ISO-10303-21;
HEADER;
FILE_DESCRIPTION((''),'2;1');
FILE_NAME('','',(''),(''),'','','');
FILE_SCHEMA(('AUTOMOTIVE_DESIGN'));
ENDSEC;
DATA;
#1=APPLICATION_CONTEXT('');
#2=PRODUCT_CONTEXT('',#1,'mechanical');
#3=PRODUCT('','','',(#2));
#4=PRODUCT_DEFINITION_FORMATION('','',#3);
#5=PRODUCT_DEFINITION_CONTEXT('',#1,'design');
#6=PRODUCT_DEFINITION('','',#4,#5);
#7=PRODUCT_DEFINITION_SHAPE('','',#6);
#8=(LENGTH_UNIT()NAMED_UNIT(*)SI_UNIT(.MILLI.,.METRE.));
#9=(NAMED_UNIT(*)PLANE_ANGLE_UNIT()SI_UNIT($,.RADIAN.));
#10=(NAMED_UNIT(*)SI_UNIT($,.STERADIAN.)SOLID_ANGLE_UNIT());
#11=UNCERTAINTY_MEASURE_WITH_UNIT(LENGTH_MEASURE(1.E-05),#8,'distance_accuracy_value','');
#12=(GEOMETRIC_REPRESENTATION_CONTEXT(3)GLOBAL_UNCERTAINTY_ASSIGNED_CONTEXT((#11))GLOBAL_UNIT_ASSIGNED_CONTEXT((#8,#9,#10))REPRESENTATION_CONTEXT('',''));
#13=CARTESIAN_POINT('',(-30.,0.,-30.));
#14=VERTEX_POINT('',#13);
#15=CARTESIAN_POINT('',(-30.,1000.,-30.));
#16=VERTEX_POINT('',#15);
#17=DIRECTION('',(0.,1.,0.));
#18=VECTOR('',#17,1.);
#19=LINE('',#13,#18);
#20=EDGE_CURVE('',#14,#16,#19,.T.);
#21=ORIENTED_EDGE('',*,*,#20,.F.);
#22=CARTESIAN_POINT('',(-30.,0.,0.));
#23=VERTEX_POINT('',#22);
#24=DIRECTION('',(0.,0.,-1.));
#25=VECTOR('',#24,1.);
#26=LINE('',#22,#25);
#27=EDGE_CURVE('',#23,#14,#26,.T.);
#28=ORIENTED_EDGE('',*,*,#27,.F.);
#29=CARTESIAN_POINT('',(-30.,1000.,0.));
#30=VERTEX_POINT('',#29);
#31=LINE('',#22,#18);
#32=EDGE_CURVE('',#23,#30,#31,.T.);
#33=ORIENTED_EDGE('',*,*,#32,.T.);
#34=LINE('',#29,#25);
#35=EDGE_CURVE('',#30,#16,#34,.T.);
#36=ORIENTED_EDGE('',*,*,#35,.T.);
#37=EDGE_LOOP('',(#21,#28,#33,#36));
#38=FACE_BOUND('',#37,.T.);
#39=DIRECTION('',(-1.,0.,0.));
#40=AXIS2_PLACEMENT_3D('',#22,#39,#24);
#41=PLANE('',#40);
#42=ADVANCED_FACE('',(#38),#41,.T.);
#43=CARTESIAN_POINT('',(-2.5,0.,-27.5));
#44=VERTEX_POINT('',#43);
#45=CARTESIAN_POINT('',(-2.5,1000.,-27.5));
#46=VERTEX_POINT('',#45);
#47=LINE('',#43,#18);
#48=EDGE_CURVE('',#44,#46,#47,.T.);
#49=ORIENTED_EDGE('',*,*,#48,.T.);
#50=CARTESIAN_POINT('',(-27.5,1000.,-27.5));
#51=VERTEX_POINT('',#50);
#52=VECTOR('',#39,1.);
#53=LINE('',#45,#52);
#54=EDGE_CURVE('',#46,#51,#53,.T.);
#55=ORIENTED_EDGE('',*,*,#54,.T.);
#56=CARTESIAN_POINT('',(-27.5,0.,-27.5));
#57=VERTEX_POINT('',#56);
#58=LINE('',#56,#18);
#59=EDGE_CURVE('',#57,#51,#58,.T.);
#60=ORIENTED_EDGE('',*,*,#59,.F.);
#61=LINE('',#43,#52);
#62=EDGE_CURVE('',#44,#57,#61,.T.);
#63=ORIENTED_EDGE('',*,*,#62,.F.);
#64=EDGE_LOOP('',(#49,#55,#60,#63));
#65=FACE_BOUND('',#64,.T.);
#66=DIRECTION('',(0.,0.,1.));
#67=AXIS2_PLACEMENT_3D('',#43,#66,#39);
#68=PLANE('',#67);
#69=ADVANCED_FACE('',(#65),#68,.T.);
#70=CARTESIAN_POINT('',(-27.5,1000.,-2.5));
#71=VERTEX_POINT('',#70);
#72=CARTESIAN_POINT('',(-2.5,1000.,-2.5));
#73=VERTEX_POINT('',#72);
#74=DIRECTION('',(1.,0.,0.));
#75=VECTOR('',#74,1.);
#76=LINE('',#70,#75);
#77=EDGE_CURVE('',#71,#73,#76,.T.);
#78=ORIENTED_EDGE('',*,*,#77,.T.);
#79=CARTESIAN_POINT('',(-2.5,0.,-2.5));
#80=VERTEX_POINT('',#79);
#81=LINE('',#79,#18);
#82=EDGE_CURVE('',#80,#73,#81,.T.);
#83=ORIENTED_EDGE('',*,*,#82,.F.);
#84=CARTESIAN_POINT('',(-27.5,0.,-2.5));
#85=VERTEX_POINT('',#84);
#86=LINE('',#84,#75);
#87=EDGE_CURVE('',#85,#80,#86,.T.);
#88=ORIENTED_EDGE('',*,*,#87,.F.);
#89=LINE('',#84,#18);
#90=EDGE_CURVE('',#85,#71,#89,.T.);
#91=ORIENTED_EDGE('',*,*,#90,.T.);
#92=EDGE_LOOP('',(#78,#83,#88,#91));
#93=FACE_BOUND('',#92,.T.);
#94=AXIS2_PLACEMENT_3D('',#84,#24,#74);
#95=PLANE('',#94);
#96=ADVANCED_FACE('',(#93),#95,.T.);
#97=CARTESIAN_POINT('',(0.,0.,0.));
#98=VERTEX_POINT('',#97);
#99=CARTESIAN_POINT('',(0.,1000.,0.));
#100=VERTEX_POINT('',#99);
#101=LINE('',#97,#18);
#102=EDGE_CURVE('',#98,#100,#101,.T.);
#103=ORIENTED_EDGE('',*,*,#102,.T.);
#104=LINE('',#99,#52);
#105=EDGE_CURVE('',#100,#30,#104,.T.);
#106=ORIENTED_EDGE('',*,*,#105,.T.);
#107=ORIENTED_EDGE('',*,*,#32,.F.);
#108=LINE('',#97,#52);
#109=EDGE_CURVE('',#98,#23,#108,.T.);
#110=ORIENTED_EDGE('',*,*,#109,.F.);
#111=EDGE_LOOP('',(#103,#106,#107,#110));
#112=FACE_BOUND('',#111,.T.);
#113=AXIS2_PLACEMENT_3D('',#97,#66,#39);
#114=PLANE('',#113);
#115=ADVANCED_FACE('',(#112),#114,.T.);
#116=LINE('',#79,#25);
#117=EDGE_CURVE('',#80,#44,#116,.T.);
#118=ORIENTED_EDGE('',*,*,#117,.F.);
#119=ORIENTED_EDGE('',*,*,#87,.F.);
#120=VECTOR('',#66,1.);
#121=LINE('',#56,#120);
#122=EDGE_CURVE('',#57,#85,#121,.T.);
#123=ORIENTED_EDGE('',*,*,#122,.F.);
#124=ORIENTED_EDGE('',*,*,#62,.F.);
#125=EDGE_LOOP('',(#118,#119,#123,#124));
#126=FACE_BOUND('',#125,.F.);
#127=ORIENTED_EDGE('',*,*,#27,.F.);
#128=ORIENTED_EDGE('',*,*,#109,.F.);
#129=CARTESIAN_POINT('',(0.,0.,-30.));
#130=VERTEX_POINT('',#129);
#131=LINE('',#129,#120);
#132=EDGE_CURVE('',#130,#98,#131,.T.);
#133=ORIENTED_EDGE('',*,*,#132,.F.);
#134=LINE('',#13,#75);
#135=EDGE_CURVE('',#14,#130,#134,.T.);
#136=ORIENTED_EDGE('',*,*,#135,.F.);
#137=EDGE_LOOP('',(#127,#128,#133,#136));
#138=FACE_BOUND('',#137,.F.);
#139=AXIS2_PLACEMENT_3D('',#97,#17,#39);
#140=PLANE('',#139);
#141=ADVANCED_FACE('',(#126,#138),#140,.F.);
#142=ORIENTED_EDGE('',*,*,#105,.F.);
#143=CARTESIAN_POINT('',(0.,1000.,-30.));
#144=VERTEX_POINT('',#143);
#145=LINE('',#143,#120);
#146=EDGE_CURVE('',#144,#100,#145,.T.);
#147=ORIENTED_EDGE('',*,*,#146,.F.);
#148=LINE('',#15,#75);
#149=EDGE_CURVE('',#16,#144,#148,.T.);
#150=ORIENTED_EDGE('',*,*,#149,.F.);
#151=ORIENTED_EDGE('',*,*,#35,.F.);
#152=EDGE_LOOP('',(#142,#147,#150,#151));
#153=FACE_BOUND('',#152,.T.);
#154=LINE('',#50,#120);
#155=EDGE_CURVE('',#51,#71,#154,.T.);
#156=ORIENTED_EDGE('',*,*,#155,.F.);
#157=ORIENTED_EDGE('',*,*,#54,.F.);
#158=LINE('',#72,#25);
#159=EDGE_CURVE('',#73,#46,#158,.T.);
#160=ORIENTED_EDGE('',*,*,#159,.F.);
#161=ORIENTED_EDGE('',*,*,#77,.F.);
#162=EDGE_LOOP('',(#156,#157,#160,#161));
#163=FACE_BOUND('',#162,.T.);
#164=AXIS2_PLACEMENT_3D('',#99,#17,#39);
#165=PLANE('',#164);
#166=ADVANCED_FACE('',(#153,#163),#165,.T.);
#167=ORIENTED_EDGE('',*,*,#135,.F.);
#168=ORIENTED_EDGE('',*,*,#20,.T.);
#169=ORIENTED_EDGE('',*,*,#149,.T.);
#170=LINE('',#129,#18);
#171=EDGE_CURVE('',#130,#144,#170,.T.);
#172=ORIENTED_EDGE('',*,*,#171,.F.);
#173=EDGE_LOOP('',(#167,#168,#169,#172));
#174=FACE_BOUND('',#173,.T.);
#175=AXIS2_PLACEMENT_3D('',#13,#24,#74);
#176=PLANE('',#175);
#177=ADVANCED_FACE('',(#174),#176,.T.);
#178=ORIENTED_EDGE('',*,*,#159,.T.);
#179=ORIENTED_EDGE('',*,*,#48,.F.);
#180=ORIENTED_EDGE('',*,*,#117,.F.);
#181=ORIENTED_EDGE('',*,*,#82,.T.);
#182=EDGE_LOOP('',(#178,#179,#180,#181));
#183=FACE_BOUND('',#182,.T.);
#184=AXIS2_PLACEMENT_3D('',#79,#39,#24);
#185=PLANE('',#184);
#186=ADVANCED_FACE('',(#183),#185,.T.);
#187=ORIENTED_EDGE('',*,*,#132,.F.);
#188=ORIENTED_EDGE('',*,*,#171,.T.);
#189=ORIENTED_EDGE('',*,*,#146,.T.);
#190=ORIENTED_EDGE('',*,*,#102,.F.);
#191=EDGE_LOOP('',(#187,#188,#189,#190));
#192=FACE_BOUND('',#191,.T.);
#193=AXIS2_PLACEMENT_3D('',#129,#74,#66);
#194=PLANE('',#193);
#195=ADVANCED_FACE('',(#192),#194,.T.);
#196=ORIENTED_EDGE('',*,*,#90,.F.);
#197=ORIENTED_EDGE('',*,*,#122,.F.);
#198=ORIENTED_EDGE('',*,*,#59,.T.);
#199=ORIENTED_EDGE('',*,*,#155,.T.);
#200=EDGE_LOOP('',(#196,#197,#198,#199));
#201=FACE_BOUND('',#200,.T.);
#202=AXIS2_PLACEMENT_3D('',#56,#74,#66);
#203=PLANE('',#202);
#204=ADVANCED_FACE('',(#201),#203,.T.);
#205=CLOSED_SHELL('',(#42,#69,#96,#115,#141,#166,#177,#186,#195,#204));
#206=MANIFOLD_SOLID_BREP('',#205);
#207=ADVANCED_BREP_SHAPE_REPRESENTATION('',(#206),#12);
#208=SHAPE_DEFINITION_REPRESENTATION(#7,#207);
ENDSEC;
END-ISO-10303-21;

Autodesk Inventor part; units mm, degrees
ref_plane "YZ Plane" through (0, 0, 0) normal (1, 0, 0) x (0, 1, 0)
ref_plane "XZ Plane" through (0, 0, 0) normal (0, 1, 0) x (-1, 0, 0)
ref_plane "XY Plane" through (0, 0, 0) normal (0, 0, 1) x (1, 0, 0)
sketch "Sketch1" plane through (0, 0, 0) normal (0, 1, 0) x (-1, 0, 0)
  line L0 (0, 0) -> (30, 0)
  line L1 (30, 0) -> (30, -30)
  line L2 (30, -30) -> (0, -30)
  line L3 (0, -30) -> (0, 0)
  line L4 (30, -15) -> (0, -15) construction
  line L5 (15, -30) -> (15, 0) construction
  line L6 (27.5, -2.5) -> (2.5, -2.5)
  line L7 (2.5, -2.5) -> (2.5, -27.5)
  line L8 (2.5, -27.5) -> (27.5, -27.5)
  line L9 (27.5, -27.5) -> (27.5, -2.5)
  dimension "d0" = 30
  dimension "d1" = 30
  dimension "d2" = 2.5
  dimension "d3" = 2.5
extrude "Extrusion1" add sketch "Sketch1" along normal blind 1000
sketch "Sketch2" plane through (0, 0, 0) normal (1, 0, 0) x (0, 0, -1)
  line L0 (30, 0) -> (0, 0) construction
  line L1 (30, 0) -> (30, 1000) construction
  line L2 (0, 1000) -> (30, 1000) construction
  line L3 (0, 0) -> (0, 1000) construction
  line L4 (0, 0) -> (0, 1000) construction
  line L5 (0, 125) -> (30, 125) construction
  line L6 (30, 0) -> (30, 1000) construction
  dimension "d6" = 125
sketch "Sketch3" plane through (-30, 0, -30) normal (-1, 0, 0) x (0, 0, 1)
  line L0 (30, 0) -> (0, 0) construction
  line L1 (30, 0) -> (30, 1000) construction
  line L2 (0, 1000) -> (30, 1000) construction
  line L3 (0, 0) -> (0, 1000) construction
  line L4 (30, 125) -> (0, 125) construction
  line L5 (30, 0) -> (30, 1000) construction
  line L6 (30, 875) -> (1.3146, 875) construction
  line L7 (0, 0) -> (0, 1000) construction
  dimension "d7" = 125
equation "\"d0\" = d1"
equation "\"d3\" = d2"
properties part number "1250mm_box_section" material "Steel, Mild"
